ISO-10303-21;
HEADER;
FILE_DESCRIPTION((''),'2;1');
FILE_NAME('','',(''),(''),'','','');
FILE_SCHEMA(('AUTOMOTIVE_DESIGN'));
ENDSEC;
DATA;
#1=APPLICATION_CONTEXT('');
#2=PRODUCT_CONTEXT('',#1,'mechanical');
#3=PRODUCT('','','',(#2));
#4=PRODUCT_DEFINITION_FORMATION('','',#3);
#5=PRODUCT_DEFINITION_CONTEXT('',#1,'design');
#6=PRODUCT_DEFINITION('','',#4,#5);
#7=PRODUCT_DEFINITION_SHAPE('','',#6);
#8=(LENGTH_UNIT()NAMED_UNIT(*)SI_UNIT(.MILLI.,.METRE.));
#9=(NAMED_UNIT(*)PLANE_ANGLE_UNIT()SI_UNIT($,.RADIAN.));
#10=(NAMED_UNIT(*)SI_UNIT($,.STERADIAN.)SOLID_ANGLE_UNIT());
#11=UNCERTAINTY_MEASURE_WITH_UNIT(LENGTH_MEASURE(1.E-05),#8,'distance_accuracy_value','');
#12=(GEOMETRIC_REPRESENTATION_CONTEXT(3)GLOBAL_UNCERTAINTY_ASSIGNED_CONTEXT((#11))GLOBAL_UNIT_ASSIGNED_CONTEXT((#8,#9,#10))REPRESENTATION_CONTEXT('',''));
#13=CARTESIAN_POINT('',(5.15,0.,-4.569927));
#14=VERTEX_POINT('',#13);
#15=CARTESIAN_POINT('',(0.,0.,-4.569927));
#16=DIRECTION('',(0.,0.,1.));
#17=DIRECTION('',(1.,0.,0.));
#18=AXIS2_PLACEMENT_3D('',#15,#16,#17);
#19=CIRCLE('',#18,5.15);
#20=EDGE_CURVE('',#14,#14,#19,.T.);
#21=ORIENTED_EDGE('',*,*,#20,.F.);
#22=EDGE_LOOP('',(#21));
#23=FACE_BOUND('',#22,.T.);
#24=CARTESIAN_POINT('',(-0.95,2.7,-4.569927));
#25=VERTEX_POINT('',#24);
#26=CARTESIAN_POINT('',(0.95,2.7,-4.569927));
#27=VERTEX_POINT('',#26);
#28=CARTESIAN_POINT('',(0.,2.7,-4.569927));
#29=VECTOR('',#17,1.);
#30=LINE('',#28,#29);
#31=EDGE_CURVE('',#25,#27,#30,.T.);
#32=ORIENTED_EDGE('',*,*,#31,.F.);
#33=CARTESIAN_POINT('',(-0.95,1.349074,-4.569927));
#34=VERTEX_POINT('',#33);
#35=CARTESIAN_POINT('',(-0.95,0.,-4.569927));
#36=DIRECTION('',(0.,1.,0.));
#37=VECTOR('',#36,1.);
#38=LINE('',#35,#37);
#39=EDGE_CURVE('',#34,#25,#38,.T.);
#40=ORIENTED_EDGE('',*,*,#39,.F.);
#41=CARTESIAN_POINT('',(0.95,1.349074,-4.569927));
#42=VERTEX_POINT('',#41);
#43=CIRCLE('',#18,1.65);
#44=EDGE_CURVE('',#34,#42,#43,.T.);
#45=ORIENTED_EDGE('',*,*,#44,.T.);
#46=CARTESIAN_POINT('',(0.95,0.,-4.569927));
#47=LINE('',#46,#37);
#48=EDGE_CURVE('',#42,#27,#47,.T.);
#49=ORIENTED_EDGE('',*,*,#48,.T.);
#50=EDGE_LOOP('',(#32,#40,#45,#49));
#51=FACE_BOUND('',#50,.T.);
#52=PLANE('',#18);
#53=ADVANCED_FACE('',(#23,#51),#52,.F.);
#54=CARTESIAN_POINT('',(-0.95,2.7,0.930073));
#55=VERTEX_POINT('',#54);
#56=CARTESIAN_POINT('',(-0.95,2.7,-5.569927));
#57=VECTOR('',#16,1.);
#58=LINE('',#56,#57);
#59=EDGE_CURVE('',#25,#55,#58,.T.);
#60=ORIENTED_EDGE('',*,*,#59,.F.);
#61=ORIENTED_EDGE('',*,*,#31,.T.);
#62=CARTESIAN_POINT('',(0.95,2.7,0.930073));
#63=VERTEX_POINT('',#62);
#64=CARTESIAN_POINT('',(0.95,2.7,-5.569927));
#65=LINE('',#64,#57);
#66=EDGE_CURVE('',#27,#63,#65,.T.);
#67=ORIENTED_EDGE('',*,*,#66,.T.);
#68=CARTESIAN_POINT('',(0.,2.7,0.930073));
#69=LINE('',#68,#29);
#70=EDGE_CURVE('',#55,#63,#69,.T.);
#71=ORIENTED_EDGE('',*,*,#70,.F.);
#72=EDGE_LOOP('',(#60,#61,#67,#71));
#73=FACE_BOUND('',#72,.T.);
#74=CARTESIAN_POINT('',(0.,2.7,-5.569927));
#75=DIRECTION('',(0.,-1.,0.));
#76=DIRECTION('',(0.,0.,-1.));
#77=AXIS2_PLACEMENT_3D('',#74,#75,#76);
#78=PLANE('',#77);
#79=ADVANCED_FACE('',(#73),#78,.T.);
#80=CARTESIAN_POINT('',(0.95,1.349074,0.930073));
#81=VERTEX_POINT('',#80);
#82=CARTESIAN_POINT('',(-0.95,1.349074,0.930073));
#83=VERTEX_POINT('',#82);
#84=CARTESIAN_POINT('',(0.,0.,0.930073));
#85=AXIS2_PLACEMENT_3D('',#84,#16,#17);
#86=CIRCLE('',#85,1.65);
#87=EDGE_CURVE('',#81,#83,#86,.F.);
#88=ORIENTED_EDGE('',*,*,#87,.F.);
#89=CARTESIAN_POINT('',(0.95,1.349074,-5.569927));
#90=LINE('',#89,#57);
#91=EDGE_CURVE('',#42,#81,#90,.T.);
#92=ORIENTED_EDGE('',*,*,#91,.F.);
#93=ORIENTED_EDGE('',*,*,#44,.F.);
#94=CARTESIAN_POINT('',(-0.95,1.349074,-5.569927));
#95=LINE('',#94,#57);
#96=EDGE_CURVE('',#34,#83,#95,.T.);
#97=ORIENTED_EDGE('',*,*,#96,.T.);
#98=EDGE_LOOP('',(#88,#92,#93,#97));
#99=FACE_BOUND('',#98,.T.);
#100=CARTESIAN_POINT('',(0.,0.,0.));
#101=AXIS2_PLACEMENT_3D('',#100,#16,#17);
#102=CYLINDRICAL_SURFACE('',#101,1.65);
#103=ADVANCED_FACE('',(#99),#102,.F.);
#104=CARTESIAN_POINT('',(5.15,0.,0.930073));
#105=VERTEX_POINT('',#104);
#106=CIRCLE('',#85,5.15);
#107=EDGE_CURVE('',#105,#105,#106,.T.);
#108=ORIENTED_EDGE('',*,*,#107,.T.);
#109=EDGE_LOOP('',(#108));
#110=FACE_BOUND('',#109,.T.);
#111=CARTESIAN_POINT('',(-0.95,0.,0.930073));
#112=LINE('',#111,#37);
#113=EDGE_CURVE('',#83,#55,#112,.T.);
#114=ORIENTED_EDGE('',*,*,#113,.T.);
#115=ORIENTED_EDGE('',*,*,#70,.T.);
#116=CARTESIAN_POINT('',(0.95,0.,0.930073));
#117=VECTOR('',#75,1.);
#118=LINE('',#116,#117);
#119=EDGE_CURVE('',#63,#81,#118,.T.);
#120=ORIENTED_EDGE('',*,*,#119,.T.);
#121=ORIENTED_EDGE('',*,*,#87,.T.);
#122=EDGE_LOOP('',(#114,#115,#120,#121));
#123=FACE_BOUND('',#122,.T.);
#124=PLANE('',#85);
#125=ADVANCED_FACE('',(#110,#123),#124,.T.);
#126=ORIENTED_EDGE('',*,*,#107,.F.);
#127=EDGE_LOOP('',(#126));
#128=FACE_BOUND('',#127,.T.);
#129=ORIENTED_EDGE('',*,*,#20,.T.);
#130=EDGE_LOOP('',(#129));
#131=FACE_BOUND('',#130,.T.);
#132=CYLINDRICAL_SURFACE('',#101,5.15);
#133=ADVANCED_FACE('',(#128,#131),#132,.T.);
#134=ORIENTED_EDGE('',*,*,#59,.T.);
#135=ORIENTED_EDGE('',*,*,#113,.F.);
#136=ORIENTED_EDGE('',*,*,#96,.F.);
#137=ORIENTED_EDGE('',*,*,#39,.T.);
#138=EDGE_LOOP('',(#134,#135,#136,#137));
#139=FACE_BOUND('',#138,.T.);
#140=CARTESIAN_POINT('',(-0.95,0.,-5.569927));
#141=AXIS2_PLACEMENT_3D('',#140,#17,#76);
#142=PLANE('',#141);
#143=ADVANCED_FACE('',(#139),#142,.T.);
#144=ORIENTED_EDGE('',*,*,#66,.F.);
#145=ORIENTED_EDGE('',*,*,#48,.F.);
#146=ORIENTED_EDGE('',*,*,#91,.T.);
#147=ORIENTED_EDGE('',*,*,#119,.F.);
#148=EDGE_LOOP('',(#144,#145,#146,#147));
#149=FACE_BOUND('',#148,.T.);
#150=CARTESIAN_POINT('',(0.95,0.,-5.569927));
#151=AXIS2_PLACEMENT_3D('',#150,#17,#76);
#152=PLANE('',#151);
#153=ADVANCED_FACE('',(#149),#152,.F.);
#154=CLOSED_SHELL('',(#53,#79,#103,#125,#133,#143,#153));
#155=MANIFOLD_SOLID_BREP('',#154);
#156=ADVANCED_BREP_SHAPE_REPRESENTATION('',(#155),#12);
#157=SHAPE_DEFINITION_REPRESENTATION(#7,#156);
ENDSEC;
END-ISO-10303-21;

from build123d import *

# Parameters (mm, degrees)
SKETCH1_W           = 3.5
SKETCH1_H           = 3
CUT_EXTRUDE2_DEPTH  = 4
SKETCH7_R           = 5.15
BOSS_EXTRUDE3_DEPTH = 2.5


with BuildPart() as part:
    # Sketch1 → Revolve1 (revolve)
    with BuildSketch(Plane(origin=(0, 0, 0), x_dir=(1, 0, 0), z_dir=(0, 1, 0))):
        with Locations((3.4, 3.069926874)):
            Rectangle(SKETCH1_W, SKETCH1_H)
    revolve(axis=Axis((0, 0, 0), (0, 0, -1)))

    # Sketch6 → Cut-Extrude2 (cut)
    with BuildSketch(Plane.XY.offset(-1.569926874)):
        with BuildLine():
            Line((-0.95, 2.7), (-0.95, 1.349073756))
            ThreePointArc((-0.95, 1.349073756), (0, 1.65), (0.95, 1.349073756))
            Line((0.95, 1.349073756), (0.95, 2.7))
            Line((0.95, 2.7), (-0.95, 2.7))
        make_face()
    extrude(amount=-CUT_EXTRUDE2_DEPTH, mode=Mode.SUBTRACT)

    # Sketch7 → Boss-Extrude3 (add)
    with BuildSketch(Plane.XY.offset(-1.569926874)):
        Circle(SKETCH7_R)
        with BuildLine():
            Line((0.95, 2.7), (0.95, 1.349073756))
            ThreePointArc((0.95, 1.349073756), (0, -1.65), (-0.95, 1.349073756))
            Line((-0.95, 1.349073756), (-0.95, 2.7))
            Line((-0.95, 2.7), (0.95, 2.7))
        make_face(mode=Mode.SUBTRACT)
    extrude(amount=BOSS_EXTRUDE3_DEPTH)


solid = part.part
